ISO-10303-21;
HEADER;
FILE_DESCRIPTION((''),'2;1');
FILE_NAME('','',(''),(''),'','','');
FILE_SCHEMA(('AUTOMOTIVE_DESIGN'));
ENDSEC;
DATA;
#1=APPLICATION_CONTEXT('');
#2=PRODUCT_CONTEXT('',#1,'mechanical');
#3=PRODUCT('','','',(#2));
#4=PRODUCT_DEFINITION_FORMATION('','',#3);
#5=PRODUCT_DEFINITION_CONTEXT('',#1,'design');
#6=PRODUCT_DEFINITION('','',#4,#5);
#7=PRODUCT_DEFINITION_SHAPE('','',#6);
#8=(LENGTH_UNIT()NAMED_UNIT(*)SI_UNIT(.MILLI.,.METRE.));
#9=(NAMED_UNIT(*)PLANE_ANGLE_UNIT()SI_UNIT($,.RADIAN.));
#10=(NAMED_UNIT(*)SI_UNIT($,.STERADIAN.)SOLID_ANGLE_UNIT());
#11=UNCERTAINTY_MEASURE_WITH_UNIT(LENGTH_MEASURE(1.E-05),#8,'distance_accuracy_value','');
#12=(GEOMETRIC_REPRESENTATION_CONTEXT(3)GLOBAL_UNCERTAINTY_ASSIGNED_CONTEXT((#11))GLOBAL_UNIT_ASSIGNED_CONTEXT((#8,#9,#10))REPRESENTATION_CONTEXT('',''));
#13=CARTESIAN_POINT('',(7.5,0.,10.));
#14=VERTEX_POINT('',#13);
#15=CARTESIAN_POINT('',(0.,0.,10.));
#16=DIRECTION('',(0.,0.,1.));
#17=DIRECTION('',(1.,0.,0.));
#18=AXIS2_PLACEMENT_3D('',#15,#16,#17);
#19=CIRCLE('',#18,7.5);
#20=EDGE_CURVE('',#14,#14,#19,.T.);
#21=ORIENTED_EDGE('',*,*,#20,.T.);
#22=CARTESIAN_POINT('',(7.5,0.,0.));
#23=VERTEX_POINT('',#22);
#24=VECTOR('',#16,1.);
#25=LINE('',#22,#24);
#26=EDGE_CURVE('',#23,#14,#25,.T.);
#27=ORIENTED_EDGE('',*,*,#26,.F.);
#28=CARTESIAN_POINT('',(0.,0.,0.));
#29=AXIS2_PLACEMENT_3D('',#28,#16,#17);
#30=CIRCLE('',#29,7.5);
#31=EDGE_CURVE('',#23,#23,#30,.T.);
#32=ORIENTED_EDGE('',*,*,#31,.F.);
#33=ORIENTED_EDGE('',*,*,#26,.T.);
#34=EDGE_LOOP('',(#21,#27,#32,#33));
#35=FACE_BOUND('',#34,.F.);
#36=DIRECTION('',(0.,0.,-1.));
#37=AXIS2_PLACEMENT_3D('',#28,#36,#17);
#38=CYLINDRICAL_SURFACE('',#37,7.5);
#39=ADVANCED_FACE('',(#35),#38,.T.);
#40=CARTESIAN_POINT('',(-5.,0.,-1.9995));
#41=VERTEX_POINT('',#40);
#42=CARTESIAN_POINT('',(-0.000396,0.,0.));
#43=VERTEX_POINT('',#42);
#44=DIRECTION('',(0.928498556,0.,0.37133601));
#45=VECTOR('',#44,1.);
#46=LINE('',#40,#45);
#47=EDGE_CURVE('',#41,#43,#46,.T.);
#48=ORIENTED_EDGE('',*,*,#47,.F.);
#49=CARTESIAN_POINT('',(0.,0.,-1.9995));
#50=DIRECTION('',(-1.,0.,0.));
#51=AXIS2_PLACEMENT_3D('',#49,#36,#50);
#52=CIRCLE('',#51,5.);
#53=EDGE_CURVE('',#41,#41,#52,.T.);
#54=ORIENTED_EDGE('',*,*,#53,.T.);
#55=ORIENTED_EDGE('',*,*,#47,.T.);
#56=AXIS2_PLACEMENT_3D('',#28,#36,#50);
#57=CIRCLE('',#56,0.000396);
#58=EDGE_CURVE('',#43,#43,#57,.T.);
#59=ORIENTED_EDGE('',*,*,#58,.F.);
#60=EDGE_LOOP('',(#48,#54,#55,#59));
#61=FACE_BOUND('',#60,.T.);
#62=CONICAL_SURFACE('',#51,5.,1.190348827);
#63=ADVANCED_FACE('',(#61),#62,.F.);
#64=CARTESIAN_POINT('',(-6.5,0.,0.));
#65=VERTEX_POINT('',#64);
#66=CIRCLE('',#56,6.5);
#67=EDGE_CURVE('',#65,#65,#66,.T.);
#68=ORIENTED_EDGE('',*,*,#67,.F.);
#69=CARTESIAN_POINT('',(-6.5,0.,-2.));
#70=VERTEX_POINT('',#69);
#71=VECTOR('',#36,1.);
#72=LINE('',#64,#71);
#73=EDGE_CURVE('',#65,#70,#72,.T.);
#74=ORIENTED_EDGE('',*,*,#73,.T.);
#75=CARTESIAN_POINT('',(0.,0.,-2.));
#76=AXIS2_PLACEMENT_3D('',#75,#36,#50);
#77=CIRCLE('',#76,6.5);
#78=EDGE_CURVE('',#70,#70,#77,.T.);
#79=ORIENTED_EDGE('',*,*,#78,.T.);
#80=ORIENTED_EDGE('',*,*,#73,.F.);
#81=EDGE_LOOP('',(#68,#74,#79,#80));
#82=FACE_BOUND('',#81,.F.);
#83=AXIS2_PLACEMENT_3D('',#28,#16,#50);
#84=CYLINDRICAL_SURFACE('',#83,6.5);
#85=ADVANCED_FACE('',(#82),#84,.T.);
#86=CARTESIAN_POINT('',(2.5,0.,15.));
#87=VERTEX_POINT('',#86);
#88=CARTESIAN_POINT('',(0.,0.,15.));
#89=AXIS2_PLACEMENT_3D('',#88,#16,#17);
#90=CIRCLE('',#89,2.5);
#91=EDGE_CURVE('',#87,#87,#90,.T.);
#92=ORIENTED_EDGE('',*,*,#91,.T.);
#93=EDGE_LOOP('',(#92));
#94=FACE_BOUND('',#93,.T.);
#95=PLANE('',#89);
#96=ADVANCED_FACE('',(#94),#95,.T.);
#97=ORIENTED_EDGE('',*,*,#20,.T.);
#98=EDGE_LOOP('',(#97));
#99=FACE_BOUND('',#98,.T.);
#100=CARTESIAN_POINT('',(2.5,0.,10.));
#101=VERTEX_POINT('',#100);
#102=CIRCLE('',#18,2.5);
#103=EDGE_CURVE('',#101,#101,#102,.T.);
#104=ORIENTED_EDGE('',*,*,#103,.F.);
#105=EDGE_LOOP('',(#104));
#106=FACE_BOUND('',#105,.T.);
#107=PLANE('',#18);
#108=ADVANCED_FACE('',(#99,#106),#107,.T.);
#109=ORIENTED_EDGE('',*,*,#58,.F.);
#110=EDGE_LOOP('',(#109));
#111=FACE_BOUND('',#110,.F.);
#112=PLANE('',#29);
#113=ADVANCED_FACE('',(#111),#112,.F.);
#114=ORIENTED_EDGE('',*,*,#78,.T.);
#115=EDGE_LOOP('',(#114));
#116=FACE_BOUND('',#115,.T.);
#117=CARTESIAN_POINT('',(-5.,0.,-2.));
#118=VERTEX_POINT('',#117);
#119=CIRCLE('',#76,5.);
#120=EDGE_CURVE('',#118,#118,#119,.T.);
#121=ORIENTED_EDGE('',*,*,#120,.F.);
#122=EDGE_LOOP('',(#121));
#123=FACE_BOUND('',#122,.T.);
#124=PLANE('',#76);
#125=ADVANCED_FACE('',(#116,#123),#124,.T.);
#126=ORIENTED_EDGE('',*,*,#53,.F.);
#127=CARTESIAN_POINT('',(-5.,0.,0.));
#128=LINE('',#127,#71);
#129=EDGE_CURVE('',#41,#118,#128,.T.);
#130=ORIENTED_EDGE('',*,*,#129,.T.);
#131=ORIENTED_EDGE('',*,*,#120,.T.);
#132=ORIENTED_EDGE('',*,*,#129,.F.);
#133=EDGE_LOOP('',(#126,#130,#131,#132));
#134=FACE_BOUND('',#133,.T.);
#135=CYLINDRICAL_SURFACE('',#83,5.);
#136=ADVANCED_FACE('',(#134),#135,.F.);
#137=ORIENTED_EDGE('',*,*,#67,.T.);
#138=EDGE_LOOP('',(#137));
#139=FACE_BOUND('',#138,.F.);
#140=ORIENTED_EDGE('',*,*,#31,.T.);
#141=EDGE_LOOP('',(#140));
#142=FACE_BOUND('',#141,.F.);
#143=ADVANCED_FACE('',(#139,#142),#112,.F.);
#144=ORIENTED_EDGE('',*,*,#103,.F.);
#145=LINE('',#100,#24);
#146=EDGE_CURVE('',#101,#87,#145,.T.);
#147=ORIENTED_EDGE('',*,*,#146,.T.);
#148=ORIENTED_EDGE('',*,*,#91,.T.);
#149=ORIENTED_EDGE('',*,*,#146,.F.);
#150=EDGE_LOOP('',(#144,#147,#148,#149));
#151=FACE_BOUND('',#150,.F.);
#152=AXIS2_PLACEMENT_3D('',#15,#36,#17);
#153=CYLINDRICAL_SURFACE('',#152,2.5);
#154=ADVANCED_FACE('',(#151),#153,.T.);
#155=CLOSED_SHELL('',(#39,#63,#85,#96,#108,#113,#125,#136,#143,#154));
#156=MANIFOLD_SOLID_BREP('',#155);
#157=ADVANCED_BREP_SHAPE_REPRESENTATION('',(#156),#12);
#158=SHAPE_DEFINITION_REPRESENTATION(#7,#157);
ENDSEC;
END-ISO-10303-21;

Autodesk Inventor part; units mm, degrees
ref_plane "YZ Plane" through (0, 0, 0) normal (1, 0, 0) x (0, 1, 0)
ref_plane "XZ Plane" through (0, 0, 0) normal (0, 1, 0) x (-1, 0, 0)
ref_plane "XY Plane" through (0, 0, 0) normal (0, 0, 1) x (1, 0, 0)
sketch "Sketch1" plane through (0, 0, 0) normal (0, 0, 1) x (1, 0, 0)
  circle A0 centre (0, 0) radius 7.5
  dimension "d0" = 15
extrude "Extrusion1" add sketch "Sketch1" along normal blind 10
sketch "Sketch2" plane through (0, 0, 0) normal (0, 0, -1) x (-1, 0, 0)
  circle A0 centre (0, 0) radius 6.5
  circle A1 centre (0, 0) radius 5
  circle A2 centre (0, 0) radius 7.5 projected
  dimension "d3" = 13
  dimension "d4" = 15
  dimension "d5" = 10
extrude "Extrusion2" add sketch "Sketch2" along normal blind 2 contours A0
sketch "Sketch3" plane through (0, 0, 10) normal (0, 0, 1) x (1, 0, 0)
  circle A0 centre (0, 0) radius 7.5 projected
  circle A1 centre (0, 0) radius 2.5
  dimension "d8" = 15
  dimension "d13" = 5
extrude "Extrusion3" add sketch "Sketch3" along normal blind 5 contours A1
chamfer "Chamfer1" distance 2 angle 68.199 1 edges at (5, 0, 0) measured on face at (-4.9838, -0.4023, -1.3333)
properties part number "stredne_koleso"
